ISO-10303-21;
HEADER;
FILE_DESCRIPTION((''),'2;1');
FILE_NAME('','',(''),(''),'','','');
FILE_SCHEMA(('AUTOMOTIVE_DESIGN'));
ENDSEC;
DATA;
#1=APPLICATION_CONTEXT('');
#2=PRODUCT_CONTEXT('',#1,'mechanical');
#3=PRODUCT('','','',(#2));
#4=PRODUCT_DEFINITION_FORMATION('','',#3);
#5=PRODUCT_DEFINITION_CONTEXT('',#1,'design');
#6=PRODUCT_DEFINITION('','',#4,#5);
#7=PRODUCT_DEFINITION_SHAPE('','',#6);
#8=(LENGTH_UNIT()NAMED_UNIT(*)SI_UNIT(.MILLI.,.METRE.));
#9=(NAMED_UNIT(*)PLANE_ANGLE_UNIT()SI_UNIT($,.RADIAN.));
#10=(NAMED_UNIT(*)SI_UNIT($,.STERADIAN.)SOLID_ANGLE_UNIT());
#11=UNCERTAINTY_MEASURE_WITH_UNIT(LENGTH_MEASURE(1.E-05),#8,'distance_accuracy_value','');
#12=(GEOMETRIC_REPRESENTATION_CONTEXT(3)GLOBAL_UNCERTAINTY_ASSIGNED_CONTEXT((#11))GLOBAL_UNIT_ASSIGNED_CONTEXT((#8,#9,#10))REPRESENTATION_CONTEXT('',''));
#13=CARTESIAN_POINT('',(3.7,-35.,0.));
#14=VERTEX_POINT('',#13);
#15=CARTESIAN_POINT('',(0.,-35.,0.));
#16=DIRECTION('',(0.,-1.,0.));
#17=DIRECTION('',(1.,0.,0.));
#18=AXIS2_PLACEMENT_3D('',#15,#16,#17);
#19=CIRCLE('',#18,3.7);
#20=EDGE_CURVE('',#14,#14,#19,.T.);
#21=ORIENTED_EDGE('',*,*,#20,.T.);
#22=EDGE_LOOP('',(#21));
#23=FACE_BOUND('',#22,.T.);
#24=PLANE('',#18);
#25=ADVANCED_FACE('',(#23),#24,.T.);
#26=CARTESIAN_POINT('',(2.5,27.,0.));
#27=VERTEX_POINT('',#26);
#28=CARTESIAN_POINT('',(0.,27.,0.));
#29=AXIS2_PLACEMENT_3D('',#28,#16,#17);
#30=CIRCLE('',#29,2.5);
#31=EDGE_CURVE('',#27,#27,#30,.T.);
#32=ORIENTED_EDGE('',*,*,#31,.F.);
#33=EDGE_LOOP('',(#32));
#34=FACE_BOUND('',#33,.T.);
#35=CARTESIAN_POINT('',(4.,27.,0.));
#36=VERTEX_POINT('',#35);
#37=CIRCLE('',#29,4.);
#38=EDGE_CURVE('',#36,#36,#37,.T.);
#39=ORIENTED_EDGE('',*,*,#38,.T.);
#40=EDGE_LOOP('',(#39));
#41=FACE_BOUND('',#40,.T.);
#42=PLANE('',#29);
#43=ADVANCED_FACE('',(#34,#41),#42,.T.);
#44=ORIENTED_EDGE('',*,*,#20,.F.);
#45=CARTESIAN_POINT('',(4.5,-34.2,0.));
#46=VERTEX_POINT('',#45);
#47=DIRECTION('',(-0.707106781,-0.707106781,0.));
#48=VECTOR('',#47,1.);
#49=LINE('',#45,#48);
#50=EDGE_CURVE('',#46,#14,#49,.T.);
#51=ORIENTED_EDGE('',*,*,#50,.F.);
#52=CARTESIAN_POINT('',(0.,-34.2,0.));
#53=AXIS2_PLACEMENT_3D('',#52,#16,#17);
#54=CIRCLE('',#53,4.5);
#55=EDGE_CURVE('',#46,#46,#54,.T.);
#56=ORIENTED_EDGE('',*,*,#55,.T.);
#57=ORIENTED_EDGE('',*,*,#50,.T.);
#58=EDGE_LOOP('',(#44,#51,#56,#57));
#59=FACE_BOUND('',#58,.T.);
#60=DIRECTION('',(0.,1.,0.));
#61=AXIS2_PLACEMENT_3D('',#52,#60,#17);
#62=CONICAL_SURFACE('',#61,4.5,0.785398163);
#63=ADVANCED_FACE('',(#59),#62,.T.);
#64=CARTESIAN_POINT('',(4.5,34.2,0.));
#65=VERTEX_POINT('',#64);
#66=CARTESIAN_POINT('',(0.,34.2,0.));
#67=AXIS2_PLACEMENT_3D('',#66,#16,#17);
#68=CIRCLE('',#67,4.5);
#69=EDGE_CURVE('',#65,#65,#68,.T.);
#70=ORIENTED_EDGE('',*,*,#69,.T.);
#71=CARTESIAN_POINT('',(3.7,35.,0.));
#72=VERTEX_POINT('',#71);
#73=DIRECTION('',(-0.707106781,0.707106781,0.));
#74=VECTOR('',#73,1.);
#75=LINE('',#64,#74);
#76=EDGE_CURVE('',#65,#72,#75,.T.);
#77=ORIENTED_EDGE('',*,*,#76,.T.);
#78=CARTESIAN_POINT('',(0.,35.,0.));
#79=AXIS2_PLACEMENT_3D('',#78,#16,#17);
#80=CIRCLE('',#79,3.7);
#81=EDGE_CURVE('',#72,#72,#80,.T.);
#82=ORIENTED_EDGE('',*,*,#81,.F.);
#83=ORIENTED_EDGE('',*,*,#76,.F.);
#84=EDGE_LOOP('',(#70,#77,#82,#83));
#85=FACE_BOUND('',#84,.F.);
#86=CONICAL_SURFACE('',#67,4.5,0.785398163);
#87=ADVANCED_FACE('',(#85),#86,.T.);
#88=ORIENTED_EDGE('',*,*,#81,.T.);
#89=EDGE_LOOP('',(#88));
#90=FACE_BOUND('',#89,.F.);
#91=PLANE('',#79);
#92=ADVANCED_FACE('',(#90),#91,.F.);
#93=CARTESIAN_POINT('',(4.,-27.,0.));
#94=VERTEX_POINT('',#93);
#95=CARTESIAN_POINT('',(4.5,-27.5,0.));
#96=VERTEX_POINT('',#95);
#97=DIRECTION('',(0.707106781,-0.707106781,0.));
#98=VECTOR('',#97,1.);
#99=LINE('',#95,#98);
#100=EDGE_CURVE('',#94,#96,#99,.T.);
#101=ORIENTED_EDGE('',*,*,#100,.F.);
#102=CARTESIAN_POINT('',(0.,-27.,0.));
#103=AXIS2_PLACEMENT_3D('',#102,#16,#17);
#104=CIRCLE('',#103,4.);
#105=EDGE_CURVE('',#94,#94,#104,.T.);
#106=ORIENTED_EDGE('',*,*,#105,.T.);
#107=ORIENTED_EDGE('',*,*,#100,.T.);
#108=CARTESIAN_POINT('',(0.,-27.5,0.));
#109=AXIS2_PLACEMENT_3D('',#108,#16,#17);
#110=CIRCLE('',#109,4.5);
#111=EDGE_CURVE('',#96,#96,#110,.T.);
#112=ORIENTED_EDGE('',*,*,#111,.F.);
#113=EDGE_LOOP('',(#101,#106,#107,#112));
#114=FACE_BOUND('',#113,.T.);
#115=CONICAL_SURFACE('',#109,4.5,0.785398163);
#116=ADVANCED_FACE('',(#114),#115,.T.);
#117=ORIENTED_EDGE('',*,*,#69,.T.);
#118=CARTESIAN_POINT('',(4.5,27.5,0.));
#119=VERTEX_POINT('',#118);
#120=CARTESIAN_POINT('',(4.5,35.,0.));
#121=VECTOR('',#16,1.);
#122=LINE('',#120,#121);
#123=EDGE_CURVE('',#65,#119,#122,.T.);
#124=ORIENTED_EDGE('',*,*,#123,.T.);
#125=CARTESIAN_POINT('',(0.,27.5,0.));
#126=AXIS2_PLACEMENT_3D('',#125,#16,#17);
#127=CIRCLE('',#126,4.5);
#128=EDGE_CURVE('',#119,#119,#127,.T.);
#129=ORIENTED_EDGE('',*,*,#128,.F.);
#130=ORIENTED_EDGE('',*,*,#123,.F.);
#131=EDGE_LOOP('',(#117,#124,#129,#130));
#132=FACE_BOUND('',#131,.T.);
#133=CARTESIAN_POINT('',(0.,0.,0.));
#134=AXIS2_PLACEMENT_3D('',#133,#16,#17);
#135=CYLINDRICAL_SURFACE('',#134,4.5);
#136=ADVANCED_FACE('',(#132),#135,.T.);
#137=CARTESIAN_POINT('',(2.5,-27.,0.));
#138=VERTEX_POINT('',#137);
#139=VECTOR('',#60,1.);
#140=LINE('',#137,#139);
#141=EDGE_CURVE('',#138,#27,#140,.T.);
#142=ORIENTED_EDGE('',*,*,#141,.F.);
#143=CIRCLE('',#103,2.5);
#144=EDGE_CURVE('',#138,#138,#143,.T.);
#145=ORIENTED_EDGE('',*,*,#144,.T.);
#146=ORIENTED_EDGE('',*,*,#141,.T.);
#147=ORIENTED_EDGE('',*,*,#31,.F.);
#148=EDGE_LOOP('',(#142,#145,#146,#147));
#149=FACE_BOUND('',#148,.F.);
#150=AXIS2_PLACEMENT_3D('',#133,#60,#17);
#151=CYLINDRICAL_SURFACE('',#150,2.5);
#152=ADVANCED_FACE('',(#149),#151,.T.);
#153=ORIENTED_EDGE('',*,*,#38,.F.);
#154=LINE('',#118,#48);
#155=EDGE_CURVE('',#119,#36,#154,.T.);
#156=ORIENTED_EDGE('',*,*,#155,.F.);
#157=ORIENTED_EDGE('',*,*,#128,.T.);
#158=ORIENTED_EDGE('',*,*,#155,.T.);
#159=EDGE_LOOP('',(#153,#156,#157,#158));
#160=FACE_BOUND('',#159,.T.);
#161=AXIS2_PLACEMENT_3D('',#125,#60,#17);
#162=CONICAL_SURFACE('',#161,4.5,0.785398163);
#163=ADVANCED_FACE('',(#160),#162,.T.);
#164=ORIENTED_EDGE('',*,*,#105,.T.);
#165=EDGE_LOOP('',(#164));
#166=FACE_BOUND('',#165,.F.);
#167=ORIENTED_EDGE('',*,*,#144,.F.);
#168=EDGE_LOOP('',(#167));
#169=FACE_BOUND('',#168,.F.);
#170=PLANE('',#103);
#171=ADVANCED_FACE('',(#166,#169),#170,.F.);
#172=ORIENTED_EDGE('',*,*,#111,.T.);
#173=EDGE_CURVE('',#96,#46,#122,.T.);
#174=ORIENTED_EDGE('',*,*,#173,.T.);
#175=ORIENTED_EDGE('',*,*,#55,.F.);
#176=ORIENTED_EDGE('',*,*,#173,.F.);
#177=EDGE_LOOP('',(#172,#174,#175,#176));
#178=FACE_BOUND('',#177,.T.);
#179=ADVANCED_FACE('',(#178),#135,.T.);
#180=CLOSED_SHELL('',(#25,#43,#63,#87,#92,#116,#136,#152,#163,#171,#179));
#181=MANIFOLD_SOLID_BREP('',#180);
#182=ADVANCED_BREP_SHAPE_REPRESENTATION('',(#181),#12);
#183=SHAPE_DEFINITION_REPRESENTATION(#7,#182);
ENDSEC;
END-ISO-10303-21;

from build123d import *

# Parameters (mm, degrees)
F0_R     = 4.5
F0_R_2   = 2.5
F1_DEPTH = 35
F2_DEPTH = 27
F3_SIZE  = 0.8
F4_SIZE  = 0.5


with BuildPart() as f1:
    # F0 (on Front) → F1 (new body, symmetric)
    with BuildSketch(Plane.XZ):
        Circle(F0_R)
        Circle(F0_R_2, mode=Mode.SUBTRACT)
        Circle(F0_R_2)
    extrude(amount=F1_DEPTH, both=True)

    # F0 (on Front) → F2 (cut, symmetric)
    with BuildSketch(Plane.XZ):
        Circle(F0_R)
        Circle(F0_R_2, mode=Mode.SUBTRACT)
    extrude(amount=F2_DEPTH, both=True, mode=Mode.SUBTRACT)

    # F3
    f3_edges = [f1.edges().sort_by_distance(p)[0] for p in [
        (-4.5, 35, 0),
        (-4.5, -35, 0),
    ]]
    chamfer(f3_edges, length=F3_SIZE)

    # F4
    f4_edges = [f1.edges().sort_by_distance(p)[0] for p in [
        (-4.5, 27, 0),
        (-4.5, -27, 0),
    ]]
    chamfer(f4_edges, length=F4_SIZE)


solid = f1.part
